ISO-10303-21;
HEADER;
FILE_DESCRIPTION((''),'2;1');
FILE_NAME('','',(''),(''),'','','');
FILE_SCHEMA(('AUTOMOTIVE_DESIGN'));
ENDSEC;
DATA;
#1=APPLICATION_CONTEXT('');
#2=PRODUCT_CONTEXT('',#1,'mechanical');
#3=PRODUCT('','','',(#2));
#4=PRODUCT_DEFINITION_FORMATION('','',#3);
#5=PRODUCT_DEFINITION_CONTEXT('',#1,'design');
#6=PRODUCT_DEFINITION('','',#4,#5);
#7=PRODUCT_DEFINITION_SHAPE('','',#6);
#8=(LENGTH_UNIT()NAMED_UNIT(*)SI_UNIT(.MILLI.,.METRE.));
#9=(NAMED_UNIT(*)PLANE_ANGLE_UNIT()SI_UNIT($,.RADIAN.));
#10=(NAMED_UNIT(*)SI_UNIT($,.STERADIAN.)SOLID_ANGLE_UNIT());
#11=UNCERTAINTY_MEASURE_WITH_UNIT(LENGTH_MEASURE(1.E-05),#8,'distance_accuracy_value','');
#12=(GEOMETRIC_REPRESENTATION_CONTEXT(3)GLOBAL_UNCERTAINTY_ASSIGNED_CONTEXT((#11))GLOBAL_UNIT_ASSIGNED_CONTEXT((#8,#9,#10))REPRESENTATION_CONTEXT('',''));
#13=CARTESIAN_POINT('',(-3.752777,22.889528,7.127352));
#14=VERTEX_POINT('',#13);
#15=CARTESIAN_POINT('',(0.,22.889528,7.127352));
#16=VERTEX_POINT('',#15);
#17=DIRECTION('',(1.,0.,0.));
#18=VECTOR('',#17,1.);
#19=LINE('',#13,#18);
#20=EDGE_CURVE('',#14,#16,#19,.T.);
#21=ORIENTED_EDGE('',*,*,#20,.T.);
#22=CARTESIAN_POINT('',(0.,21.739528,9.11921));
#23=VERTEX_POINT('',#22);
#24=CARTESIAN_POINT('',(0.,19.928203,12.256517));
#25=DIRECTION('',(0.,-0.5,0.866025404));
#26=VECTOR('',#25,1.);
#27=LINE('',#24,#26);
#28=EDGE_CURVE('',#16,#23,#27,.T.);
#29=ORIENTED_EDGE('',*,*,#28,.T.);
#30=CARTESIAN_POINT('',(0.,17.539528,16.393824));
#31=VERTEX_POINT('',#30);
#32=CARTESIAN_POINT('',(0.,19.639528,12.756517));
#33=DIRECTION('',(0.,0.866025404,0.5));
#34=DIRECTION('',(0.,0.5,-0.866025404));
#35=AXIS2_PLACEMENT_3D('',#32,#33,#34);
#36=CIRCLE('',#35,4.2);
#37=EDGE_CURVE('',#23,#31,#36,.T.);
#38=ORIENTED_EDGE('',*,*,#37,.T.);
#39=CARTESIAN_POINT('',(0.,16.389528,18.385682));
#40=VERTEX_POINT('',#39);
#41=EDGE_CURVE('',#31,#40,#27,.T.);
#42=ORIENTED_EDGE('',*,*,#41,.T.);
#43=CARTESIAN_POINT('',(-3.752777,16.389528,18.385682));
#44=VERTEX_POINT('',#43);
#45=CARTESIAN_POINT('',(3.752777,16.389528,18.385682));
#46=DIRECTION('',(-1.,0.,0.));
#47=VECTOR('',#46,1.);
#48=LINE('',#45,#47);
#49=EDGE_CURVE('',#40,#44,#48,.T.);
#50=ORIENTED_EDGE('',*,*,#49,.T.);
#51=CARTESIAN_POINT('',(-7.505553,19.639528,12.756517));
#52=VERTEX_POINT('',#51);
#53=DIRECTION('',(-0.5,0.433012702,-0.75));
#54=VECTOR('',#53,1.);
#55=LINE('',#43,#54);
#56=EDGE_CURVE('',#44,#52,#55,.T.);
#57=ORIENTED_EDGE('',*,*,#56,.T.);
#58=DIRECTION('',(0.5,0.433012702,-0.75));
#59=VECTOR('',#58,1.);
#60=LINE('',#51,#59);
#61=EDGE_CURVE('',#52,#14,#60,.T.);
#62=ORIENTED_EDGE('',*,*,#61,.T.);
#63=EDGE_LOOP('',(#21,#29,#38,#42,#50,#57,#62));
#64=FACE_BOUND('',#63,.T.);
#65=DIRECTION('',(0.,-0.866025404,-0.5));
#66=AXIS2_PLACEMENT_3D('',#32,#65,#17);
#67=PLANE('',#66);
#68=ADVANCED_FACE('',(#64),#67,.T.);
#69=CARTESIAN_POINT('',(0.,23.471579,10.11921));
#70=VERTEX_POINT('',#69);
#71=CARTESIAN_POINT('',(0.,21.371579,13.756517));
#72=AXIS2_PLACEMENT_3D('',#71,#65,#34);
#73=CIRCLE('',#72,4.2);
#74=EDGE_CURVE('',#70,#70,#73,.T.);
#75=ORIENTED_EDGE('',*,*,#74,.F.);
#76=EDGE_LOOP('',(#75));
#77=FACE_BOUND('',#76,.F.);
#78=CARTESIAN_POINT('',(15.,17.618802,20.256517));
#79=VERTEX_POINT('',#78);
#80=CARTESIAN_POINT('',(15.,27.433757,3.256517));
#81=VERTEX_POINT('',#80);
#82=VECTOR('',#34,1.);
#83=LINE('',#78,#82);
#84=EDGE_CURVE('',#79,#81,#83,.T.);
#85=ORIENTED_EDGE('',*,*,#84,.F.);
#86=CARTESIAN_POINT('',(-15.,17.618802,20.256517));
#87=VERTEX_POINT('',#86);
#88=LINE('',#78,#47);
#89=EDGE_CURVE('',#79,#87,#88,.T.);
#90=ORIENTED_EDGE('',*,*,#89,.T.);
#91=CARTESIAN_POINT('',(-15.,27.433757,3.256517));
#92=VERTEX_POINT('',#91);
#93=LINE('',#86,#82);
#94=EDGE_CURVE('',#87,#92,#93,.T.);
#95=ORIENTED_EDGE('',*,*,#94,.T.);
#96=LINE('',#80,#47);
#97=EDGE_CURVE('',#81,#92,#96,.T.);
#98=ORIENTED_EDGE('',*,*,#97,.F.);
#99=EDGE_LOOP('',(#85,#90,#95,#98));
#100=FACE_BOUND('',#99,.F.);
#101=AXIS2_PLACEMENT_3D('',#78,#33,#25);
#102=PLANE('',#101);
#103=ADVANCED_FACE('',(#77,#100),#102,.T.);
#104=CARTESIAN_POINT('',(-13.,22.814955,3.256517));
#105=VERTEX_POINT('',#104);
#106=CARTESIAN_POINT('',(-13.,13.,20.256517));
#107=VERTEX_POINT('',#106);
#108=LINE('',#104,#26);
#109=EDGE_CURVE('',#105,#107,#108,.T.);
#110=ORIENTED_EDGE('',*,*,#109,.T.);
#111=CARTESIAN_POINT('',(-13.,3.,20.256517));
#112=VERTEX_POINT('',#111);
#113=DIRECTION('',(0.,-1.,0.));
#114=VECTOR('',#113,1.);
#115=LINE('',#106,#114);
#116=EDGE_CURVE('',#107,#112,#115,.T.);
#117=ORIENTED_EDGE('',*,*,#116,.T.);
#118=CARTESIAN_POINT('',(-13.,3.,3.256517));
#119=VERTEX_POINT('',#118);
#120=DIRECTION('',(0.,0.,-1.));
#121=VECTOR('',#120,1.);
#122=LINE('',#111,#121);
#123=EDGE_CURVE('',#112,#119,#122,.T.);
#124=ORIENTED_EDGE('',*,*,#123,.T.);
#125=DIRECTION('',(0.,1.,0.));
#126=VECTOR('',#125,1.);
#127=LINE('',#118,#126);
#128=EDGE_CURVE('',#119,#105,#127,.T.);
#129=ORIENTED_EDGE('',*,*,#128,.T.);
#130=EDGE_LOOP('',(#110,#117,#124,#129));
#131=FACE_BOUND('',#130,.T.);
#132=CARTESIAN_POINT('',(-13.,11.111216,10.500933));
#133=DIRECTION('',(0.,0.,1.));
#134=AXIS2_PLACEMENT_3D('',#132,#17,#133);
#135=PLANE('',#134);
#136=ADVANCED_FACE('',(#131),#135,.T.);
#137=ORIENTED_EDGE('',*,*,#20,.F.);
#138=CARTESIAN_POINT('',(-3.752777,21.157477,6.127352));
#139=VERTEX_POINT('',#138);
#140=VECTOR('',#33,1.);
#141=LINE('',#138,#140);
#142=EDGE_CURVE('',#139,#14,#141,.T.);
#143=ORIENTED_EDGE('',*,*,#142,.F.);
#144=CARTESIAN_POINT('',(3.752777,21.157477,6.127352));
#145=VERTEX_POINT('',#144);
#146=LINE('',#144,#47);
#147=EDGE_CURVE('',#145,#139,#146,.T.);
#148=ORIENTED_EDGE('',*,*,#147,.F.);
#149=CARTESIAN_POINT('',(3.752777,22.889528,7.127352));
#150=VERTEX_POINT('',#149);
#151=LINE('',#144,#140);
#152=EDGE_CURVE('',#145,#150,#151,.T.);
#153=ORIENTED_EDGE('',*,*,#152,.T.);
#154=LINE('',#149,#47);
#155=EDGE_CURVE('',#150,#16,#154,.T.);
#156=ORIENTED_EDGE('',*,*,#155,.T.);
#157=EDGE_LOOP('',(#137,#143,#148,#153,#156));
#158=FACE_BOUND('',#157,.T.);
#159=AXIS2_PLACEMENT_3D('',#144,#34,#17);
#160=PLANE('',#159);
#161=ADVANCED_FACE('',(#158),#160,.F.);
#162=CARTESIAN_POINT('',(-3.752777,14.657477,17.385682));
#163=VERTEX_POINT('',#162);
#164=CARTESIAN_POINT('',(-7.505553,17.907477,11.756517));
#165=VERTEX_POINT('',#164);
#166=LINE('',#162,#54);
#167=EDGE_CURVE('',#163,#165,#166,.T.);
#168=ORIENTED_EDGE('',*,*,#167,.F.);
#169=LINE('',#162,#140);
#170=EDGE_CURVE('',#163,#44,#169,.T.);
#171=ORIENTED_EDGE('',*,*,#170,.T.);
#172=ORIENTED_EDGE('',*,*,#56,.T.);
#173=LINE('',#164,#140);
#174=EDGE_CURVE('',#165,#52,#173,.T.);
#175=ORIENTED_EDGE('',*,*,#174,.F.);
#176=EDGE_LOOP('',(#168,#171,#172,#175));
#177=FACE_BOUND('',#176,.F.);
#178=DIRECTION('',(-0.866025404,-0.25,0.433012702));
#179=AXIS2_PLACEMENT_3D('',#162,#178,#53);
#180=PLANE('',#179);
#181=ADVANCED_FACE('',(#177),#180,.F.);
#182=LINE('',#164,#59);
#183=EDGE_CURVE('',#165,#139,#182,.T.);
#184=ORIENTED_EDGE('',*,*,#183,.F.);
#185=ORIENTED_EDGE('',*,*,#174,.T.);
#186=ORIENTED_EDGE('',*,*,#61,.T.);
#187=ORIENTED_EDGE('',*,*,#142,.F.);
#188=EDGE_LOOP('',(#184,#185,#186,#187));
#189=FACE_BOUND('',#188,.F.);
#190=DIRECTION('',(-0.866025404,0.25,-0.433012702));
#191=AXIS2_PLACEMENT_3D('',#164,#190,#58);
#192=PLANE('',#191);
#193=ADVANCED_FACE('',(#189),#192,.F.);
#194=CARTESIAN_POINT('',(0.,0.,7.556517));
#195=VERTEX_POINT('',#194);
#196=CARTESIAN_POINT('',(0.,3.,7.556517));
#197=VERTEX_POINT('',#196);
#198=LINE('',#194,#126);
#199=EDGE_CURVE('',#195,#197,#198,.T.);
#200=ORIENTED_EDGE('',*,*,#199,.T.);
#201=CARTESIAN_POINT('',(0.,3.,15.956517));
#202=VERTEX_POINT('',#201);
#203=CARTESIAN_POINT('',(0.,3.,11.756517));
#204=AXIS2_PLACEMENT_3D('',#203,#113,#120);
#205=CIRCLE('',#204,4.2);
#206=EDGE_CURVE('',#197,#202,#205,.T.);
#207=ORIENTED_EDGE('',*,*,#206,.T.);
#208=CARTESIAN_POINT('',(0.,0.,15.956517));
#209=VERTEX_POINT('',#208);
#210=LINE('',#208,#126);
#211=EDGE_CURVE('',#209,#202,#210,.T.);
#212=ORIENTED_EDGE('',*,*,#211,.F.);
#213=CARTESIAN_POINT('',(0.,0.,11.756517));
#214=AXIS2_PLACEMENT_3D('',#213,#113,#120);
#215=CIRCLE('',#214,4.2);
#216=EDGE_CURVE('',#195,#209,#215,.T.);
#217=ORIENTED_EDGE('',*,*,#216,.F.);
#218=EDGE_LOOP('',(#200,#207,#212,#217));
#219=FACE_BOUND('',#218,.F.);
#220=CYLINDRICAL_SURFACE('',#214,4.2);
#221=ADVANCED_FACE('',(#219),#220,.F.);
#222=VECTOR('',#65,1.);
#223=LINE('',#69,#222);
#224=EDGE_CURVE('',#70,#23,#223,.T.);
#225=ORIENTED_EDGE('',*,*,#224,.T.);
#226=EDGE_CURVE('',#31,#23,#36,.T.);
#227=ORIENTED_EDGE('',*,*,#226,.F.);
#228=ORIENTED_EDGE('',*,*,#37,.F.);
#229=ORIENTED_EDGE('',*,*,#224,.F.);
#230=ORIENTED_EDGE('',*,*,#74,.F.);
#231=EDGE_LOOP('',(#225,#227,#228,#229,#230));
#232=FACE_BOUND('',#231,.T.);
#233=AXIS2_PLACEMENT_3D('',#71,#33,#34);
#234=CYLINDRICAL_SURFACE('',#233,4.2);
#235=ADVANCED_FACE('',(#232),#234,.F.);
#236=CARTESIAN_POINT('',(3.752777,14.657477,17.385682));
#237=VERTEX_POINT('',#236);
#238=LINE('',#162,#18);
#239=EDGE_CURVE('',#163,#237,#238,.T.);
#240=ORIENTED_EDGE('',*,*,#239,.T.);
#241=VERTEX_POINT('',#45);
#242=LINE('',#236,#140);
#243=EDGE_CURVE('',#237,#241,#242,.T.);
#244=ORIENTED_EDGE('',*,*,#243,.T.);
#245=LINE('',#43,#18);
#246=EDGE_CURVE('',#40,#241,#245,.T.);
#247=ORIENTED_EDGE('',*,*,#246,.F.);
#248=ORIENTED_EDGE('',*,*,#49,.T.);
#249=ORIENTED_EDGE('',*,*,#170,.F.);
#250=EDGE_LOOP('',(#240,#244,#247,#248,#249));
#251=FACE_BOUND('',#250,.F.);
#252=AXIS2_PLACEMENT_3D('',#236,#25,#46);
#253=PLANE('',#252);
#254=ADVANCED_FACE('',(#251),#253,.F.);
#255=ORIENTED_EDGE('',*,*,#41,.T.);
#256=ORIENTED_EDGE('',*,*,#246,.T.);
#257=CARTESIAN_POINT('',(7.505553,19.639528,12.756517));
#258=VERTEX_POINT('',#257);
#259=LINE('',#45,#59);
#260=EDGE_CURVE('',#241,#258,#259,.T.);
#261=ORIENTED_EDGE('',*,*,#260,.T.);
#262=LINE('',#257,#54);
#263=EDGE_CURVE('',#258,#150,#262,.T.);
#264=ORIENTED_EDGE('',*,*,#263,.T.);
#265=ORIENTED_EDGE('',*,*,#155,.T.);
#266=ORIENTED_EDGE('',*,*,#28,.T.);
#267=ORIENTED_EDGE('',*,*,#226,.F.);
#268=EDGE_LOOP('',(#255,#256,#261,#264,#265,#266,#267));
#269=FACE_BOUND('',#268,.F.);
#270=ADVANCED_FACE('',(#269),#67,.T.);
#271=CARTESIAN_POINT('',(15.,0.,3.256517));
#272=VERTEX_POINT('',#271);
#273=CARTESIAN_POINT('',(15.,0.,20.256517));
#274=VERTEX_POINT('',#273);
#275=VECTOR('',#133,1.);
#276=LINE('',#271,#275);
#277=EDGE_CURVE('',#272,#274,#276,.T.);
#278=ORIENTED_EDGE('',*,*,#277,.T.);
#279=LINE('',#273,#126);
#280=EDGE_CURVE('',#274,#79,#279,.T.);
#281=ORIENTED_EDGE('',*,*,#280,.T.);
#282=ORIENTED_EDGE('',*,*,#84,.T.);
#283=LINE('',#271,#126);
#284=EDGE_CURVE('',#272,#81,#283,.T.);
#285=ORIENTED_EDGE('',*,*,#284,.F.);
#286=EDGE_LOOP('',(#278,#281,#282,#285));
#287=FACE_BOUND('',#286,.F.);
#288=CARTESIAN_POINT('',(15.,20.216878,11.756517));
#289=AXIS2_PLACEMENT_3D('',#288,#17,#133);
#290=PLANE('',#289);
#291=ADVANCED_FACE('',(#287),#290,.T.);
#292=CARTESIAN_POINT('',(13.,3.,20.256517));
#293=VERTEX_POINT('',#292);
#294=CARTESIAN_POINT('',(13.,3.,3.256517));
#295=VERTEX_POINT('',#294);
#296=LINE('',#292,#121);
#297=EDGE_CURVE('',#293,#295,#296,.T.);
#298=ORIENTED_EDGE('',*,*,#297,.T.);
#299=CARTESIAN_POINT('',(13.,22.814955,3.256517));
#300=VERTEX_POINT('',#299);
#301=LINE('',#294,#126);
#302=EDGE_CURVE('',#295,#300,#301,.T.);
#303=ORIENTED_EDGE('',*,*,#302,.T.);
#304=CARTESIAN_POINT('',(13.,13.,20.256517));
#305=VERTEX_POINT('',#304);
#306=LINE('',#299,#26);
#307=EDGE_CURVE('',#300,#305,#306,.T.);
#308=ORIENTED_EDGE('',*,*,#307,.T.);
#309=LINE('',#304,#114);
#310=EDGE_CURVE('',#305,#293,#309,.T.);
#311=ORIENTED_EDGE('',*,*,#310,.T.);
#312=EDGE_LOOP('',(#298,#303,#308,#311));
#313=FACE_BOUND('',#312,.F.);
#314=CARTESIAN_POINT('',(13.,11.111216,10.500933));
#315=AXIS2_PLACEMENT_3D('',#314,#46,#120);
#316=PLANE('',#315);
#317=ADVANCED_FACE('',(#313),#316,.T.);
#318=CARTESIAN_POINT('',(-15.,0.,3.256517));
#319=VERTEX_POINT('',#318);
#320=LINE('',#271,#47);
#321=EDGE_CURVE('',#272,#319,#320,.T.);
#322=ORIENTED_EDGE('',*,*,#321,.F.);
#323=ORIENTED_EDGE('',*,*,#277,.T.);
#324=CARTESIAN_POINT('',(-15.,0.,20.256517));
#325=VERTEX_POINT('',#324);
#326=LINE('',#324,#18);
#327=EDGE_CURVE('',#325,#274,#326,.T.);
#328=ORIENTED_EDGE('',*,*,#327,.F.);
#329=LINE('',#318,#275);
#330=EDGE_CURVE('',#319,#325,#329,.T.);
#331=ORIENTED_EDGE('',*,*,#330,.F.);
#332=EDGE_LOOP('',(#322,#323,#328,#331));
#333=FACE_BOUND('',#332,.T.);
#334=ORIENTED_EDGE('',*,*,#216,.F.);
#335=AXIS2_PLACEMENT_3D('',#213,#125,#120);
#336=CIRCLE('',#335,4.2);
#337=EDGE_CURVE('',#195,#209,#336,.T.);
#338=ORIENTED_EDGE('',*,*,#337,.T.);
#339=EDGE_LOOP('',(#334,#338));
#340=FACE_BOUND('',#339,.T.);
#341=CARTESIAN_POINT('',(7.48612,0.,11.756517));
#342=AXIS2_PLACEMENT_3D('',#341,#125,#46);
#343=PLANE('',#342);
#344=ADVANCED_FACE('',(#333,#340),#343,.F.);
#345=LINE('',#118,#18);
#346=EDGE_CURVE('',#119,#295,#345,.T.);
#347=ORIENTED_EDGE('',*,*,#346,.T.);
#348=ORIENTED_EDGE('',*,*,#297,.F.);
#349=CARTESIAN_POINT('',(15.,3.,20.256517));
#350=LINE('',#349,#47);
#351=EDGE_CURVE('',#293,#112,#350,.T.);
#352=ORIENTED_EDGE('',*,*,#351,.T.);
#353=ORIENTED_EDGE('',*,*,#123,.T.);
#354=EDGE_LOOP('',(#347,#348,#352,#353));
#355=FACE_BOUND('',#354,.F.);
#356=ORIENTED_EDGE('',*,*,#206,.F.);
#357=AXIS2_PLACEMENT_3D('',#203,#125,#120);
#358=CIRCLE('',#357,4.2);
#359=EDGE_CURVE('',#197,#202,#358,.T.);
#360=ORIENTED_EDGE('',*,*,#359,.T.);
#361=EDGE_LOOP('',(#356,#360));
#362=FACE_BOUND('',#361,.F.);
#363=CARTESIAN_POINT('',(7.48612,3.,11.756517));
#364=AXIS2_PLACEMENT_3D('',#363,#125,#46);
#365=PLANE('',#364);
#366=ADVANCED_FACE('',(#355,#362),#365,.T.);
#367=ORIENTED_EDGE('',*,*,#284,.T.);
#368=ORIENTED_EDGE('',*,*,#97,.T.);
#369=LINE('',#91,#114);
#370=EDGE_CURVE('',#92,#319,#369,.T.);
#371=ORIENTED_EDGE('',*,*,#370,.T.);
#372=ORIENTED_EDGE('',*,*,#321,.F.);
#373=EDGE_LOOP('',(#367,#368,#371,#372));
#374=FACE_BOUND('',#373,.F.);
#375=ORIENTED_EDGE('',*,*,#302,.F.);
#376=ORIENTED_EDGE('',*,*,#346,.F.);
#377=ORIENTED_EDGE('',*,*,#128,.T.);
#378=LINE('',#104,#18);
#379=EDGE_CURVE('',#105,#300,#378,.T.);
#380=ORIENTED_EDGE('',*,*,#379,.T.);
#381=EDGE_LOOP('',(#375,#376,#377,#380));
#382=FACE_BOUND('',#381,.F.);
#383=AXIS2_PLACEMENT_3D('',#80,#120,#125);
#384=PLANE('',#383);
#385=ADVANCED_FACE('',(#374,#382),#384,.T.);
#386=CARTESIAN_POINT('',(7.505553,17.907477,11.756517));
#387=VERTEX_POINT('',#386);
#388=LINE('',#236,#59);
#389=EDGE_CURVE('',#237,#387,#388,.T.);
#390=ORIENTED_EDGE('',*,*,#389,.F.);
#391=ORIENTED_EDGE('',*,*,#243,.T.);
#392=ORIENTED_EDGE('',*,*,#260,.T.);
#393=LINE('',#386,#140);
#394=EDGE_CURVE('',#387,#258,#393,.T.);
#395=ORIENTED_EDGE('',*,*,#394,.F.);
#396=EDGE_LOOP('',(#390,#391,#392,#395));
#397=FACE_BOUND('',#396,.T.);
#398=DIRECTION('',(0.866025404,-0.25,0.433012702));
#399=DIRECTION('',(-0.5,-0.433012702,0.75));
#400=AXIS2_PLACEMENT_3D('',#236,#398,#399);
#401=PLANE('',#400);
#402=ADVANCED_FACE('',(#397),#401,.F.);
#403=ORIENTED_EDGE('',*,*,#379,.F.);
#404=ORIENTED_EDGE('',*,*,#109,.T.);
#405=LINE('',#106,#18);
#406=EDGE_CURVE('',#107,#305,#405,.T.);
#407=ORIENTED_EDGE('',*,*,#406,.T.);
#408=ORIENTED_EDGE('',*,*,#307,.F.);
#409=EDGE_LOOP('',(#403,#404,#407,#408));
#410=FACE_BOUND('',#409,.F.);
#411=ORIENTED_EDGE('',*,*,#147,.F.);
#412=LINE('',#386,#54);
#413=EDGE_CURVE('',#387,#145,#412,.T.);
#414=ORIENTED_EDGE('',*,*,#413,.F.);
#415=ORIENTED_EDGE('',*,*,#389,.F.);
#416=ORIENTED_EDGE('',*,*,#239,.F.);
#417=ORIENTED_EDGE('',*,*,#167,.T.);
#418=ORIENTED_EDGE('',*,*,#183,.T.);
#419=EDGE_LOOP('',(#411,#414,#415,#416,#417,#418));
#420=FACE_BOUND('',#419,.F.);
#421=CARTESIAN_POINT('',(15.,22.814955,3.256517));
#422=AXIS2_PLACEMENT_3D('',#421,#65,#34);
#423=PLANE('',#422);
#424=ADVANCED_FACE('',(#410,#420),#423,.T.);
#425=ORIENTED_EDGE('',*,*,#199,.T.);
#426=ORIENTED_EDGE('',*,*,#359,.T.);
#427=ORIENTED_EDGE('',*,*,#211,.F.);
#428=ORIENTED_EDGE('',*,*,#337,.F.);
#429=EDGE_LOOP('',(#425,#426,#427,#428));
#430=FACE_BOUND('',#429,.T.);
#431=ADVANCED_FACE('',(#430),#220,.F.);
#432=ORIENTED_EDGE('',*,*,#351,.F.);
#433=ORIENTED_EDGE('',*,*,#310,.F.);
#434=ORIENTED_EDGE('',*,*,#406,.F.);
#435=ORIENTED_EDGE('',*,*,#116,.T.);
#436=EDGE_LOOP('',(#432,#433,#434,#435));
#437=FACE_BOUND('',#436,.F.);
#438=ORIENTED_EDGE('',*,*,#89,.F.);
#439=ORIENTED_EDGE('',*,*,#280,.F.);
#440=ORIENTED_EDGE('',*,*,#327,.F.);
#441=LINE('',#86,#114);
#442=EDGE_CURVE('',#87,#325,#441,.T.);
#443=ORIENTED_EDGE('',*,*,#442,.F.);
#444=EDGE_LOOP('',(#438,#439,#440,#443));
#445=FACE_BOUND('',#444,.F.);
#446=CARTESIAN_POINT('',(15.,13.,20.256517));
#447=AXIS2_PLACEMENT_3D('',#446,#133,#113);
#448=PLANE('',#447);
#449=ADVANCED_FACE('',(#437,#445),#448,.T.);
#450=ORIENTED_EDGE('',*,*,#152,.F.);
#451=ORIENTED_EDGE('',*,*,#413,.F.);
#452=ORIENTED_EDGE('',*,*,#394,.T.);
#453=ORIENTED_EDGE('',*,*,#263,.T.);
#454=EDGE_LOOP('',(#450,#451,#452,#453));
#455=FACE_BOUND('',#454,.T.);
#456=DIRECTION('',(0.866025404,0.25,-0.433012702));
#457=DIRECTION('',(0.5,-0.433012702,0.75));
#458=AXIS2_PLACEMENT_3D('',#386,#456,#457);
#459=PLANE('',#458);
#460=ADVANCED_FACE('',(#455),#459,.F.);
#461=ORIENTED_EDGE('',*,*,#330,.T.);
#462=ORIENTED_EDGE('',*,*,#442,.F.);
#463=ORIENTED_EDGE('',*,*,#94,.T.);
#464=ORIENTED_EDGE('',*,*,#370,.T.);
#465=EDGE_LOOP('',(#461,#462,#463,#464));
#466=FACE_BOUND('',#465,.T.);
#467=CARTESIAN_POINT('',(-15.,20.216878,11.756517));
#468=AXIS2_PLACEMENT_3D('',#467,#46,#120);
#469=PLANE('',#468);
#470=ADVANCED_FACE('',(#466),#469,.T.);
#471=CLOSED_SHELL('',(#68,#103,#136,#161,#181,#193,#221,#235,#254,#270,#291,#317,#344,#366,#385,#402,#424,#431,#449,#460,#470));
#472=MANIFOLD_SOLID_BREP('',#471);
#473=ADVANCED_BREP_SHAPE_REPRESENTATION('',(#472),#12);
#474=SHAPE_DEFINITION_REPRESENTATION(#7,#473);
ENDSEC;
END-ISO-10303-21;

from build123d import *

# Parameters (mm, degrees)
PAD015_DEPTH    = 3
PAD016_DEPTH    = 2
PAD017_DEPTH    = 15
POCKET009_DEPTH = 5
POCKET010_DEPTH = 2


with BuildPart() as part:
    # Sketch031 → Pad015 (new body)
    with BuildSketch(Plane(origin=(0, 0, 0), x_dir=(-1, 0, 0), z_dir=(0, 1, 0))):
        with BuildLine():
            Line((15, 3.2565168385), (15, 20.2565168385))
            Line((15, 20.2565168385), (0, 20.2565168385))
            Line((0, 20.2565168385), (0, 15.9565168385))
            ThreePointArc((0, 7.5565168385), (4.2, 11.7565168385), (0, 15.9565168385))
            Line((0, 7.5565168385), (0, 3.2565168385))
            Line((0, 3.2565168385), (15, 3.2565168385))
        make_face()
    pad015 = extrude(amount=PAD015_DEPTH)

    # Sketch032 (on Face3 of Pad015) → Pad016 (join)
    with BuildSketch(Plane(origin=(-15, 0, 0), x_dir=(0, 0, -1), z_dir=(-1, 0, 0))):
        Polygon((-3.2565168385, -3), (-3.2565168385, -22.8149545762), (-20.2565168385, -13), (-20.2565168385, -3), align=None)
    pad016 = extrude(amount=-PAD016_DEPTH)

    # Sketch034 (on Face11 of Pad016) → Pad017 (join)
    with BuildSketch(Plane(origin=(-15, 0, 0), x_dir=(0, 0, -1), z_dir=(-1, 0, 0))):
        Polygon((-20.2565168385, -13), (-20.2565168385, -17.6188021535), (-3.2565168385, -27.4337567297), (-3.2565168385, -22.8149545762), align=None)
    pad017 = extrude(amount=-PAD017_DEPTH)

    # Sketch035 (on Face16 of Pad017) → Pocket009 (cut)
    with BuildSketch(Plane(origin=(0, 21.9854307023, 12.6932943342), x_dir=(1, 0, 0), z_dir=(0, 0.8660254038, 0.5))):
        with BuildLine():
            ThreePointArc((0, 2.9722964019), (-4.2, -1.2277035981), (0, -5.4277035981))
            Line((0, -5.4277035981), (0, 2.9722964019))
        make_face()
    pocket009 = extrude(amount=-POCKET009_DEPTH, mode=Mode.SUBTRACT)

    # Sketch036 (on Face14 of Pocket009) → Pocket010 (cut)
    with BuildSketch(Plane(origin=(0, 18.5213290872, 10.6932943342), x_dir=(1, 0, 0), z_dir=(0, -0.8660254038, -0.5))):
        Polygon((3.7527767497, 7.7277035981), (-3.7527767497, 7.7277035981), (-7.5055534995, 1.2277035981), (-3.7527767497, -5.2722964019), (3.7527767497, -5.2722964019), (7.5055534995, 1.2277035981), align=None)
    pocket010 = extrude(amount=-POCKET010_DEPTH, mode=Mode.SUBTRACT)

    # Mirrored008: Pad015, Pad016, Pad017, Pocket009, Pocket010 across Sketch031 V_Axis
    add(pad015.mirror(Plane(origin=(0, 0, 0), x_dir=(0, 1, 0), z_dir=(-1, 0, 0))))
    add(pad016.mirror(Plane(origin=(0, 0, 0), x_dir=(0, 1, 0), z_dir=(-1, 0, 0))))
    add(pad017.mirror(Plane(origin=(0, 0, 0), x_dir=(0, 1, 0), z_dir=(-1, 0, 0))))
    add(pocket009.mirror(Plane(origin=(0, 0, 0), x_dir=(0, 1, 0), z_dir=(-1, 0, 0))), mode=Mode.SUBTRACT)
    add(pocket010.mirror(Plane(origin=(0, 0, 0), x_dir=(0, 1, 0), z_dir=(-1, 0, 0))), mode=Mode.SUBTRACT)


solid = part.part
